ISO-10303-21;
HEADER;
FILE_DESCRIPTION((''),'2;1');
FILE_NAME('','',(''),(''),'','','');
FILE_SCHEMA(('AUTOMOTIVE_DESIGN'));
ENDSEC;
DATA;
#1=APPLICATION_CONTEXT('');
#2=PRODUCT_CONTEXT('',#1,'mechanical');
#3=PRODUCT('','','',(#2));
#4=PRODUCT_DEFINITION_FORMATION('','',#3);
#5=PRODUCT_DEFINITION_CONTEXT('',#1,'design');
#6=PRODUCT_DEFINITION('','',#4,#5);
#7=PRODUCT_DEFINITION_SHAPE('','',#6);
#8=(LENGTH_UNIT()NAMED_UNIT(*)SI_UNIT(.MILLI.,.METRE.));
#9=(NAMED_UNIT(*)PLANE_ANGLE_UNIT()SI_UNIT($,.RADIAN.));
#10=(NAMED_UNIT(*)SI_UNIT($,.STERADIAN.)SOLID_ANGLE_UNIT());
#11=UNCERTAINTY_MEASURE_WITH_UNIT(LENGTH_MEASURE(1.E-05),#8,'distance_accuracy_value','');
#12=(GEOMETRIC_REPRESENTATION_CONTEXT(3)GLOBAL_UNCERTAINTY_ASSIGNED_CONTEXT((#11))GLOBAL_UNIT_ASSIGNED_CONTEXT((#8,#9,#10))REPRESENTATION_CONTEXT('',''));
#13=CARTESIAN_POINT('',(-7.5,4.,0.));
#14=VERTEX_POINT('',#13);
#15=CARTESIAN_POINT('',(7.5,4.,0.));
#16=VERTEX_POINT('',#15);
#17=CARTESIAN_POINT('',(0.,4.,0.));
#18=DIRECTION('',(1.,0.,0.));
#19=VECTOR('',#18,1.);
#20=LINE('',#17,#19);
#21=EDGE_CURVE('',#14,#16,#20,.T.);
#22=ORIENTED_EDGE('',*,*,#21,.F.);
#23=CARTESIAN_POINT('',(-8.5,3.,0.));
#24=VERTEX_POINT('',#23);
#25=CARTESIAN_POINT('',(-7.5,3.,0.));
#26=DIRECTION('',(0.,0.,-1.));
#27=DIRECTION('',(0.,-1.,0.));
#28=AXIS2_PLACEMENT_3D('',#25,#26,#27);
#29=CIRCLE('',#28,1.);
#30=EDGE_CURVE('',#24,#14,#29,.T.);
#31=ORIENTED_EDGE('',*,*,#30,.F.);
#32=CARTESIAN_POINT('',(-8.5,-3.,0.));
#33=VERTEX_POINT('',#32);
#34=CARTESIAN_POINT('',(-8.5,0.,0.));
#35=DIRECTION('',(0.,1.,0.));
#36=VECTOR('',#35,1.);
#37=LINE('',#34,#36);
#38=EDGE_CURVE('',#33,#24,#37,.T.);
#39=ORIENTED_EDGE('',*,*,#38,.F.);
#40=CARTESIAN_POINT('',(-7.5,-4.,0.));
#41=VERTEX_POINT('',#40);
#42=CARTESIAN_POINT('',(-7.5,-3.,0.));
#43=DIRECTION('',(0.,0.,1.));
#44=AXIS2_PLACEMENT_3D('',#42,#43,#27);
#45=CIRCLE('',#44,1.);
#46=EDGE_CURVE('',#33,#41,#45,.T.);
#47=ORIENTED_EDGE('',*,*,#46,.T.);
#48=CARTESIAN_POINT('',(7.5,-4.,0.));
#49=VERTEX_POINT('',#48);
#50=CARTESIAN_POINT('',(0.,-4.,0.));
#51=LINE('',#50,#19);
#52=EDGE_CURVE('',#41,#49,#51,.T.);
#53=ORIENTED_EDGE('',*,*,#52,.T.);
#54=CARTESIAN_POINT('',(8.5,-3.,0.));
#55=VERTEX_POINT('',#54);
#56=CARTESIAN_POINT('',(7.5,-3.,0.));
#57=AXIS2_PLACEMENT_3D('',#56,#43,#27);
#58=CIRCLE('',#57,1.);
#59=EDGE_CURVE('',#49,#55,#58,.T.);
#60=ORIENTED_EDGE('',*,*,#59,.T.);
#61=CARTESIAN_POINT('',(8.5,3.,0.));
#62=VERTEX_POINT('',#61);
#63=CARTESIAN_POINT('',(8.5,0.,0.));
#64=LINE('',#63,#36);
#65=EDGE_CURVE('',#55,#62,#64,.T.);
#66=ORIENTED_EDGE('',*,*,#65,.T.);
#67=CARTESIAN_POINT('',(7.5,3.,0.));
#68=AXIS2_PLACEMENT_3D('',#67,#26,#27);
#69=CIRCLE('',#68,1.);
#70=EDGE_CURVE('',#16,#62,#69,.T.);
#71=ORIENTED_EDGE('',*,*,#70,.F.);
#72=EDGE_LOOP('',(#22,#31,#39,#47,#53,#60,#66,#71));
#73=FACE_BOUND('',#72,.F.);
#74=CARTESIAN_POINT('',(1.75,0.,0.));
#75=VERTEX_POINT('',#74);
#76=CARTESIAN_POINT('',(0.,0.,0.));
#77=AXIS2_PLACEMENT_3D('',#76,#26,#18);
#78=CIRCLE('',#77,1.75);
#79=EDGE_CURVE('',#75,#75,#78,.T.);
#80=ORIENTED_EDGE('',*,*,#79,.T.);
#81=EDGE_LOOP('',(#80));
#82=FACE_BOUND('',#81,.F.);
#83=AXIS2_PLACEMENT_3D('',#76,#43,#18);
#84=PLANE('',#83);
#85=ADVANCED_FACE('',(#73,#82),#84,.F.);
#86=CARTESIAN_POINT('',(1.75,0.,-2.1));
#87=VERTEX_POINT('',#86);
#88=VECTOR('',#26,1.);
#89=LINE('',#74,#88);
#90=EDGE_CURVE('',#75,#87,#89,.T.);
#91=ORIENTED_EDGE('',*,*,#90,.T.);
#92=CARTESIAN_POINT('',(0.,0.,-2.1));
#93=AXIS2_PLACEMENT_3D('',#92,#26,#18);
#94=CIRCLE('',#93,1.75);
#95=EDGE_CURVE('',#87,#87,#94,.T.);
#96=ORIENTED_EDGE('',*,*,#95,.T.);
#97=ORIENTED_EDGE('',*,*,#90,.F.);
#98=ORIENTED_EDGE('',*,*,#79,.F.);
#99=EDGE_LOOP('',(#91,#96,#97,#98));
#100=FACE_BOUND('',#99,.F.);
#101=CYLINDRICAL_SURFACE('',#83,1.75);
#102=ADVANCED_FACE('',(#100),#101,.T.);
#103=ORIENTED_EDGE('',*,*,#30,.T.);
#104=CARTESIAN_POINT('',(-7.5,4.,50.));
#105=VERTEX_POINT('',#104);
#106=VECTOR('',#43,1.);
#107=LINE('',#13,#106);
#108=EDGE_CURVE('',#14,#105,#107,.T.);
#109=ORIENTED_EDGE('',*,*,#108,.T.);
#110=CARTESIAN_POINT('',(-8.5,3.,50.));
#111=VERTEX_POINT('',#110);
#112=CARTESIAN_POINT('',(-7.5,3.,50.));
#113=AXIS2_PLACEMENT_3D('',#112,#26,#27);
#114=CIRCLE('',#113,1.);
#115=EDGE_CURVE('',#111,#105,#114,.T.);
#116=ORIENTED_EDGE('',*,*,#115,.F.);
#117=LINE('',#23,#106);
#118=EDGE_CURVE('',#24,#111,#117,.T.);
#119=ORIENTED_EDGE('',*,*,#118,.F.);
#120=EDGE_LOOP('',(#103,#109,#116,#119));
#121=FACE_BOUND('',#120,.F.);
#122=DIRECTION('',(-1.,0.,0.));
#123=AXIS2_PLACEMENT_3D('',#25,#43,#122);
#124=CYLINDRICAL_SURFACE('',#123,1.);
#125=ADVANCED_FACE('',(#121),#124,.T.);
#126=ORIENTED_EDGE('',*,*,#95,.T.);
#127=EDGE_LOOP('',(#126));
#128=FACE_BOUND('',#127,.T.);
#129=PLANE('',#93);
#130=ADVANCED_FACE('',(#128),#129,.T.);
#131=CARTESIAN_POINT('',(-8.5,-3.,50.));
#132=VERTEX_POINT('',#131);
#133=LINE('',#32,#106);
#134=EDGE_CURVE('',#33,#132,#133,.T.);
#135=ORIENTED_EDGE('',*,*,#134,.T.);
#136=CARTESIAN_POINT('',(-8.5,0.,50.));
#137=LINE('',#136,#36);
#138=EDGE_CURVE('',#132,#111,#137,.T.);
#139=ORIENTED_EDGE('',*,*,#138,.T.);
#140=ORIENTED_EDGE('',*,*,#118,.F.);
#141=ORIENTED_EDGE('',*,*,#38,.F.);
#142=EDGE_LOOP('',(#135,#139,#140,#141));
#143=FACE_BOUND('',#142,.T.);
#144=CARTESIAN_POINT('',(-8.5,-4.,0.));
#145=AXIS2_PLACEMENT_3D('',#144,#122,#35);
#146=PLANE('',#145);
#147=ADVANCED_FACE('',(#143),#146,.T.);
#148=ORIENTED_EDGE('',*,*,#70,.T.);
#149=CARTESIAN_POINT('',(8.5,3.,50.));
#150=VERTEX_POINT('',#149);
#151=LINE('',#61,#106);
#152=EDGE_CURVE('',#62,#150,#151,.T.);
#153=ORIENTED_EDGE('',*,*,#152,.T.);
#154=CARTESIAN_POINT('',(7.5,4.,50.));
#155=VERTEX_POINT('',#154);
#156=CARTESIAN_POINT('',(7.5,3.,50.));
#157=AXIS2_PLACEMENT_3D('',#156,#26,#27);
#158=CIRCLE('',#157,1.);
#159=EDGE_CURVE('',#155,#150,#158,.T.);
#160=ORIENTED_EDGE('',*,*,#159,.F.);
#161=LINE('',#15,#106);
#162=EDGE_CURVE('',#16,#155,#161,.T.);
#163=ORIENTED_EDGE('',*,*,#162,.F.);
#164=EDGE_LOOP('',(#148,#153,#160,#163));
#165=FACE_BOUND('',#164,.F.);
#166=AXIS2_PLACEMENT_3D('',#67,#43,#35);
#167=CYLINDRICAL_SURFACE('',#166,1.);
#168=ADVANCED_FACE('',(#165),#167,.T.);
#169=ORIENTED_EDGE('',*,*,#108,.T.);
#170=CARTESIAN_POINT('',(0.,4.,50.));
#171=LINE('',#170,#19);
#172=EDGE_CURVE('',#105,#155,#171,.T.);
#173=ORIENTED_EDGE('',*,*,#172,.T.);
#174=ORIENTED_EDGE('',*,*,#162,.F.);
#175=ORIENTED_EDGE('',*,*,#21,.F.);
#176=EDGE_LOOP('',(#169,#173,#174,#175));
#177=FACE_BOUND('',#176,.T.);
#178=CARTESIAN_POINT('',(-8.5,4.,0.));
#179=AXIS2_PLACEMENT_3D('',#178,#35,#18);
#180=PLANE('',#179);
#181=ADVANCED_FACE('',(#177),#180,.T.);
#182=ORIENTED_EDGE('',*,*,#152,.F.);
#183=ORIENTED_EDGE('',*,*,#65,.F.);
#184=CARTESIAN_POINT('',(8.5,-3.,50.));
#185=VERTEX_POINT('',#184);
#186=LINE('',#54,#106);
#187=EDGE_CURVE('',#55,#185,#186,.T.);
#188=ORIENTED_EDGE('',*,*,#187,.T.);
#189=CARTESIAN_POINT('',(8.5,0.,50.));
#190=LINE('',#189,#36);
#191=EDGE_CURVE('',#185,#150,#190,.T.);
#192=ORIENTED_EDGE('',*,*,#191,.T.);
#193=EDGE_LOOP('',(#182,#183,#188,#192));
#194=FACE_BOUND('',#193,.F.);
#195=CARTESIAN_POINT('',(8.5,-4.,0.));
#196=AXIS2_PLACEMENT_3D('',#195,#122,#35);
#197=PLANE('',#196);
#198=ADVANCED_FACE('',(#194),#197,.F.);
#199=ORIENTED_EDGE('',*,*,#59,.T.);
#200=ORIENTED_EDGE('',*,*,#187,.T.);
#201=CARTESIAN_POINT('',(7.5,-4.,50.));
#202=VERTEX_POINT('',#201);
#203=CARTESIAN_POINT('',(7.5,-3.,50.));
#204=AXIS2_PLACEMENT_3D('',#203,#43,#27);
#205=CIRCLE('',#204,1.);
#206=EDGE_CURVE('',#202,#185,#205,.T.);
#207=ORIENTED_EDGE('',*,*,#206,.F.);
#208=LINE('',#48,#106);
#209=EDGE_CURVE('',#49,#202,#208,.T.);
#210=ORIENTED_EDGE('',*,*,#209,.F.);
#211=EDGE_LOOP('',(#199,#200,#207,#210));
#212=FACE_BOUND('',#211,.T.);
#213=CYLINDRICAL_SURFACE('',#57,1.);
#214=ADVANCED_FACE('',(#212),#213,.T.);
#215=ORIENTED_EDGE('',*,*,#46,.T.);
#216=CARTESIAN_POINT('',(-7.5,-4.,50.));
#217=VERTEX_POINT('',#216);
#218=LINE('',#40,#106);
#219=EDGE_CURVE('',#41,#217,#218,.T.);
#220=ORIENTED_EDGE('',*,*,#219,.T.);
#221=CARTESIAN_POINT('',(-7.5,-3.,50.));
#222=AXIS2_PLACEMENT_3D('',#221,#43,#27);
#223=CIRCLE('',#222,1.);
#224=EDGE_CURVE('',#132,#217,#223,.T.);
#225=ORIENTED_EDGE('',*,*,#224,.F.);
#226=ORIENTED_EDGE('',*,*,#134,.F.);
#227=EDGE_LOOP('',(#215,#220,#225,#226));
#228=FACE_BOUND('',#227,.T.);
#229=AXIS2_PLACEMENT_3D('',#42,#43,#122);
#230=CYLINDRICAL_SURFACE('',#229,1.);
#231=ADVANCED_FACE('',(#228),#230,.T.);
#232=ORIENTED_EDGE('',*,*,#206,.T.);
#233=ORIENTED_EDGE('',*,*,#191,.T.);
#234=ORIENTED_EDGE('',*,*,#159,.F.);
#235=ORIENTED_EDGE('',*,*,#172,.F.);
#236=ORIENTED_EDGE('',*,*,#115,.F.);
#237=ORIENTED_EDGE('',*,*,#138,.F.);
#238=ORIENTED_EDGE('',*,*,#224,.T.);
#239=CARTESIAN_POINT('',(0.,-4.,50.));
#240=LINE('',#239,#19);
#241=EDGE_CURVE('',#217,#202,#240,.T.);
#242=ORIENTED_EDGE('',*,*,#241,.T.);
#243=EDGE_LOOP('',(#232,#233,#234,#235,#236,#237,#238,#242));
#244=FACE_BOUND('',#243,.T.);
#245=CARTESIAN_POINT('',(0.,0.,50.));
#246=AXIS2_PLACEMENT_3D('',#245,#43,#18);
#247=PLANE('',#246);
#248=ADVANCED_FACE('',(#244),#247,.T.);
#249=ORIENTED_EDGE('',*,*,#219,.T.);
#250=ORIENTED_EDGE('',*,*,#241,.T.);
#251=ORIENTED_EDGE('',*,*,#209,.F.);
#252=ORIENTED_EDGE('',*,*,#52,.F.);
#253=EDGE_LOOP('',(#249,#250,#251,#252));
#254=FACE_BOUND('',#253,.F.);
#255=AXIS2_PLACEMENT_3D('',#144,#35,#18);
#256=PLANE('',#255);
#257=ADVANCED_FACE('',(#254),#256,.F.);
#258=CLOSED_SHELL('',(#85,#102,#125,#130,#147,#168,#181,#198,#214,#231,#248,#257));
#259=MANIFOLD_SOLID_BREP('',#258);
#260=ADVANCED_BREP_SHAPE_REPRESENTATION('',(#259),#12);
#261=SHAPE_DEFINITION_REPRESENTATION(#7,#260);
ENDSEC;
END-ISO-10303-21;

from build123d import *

# Parameters (mm, degrees)
F0_W     = 17
F0_H     = 8
F1_DEPTH = 50
F2_R     = 1.75
F3_DEPTH = 2.1
F4_R     = 1


with BuildPart() as f1:
    # F0 (on Top) → F1 (new body)
    with BuildSketch(Plane.XY):
        Rectangle(F0_W, F0_H)
    extrude(amount=F1_DEPTH)

    # F2 (on face) → F3 (join)
    with BuildSketch(Plane(origin=(0, 0, 0), x_dir=(1, 0, 0), z_dir=(0, 0, -1))):
        Circle(F2_R)
    extrude(amount=F3_DEPTH)

    # F4
    f4_edges = [f1.edges().sort_by_distance(p)[0] for p in [
        (-8.5, 4, 25),
        (8.5, 4, 25),
        (8.5, -4, 25),
        (-8.5, -4, 25),
    ]]
    fillet(f4_edges, radius=F4_R)


solid = f1.part
